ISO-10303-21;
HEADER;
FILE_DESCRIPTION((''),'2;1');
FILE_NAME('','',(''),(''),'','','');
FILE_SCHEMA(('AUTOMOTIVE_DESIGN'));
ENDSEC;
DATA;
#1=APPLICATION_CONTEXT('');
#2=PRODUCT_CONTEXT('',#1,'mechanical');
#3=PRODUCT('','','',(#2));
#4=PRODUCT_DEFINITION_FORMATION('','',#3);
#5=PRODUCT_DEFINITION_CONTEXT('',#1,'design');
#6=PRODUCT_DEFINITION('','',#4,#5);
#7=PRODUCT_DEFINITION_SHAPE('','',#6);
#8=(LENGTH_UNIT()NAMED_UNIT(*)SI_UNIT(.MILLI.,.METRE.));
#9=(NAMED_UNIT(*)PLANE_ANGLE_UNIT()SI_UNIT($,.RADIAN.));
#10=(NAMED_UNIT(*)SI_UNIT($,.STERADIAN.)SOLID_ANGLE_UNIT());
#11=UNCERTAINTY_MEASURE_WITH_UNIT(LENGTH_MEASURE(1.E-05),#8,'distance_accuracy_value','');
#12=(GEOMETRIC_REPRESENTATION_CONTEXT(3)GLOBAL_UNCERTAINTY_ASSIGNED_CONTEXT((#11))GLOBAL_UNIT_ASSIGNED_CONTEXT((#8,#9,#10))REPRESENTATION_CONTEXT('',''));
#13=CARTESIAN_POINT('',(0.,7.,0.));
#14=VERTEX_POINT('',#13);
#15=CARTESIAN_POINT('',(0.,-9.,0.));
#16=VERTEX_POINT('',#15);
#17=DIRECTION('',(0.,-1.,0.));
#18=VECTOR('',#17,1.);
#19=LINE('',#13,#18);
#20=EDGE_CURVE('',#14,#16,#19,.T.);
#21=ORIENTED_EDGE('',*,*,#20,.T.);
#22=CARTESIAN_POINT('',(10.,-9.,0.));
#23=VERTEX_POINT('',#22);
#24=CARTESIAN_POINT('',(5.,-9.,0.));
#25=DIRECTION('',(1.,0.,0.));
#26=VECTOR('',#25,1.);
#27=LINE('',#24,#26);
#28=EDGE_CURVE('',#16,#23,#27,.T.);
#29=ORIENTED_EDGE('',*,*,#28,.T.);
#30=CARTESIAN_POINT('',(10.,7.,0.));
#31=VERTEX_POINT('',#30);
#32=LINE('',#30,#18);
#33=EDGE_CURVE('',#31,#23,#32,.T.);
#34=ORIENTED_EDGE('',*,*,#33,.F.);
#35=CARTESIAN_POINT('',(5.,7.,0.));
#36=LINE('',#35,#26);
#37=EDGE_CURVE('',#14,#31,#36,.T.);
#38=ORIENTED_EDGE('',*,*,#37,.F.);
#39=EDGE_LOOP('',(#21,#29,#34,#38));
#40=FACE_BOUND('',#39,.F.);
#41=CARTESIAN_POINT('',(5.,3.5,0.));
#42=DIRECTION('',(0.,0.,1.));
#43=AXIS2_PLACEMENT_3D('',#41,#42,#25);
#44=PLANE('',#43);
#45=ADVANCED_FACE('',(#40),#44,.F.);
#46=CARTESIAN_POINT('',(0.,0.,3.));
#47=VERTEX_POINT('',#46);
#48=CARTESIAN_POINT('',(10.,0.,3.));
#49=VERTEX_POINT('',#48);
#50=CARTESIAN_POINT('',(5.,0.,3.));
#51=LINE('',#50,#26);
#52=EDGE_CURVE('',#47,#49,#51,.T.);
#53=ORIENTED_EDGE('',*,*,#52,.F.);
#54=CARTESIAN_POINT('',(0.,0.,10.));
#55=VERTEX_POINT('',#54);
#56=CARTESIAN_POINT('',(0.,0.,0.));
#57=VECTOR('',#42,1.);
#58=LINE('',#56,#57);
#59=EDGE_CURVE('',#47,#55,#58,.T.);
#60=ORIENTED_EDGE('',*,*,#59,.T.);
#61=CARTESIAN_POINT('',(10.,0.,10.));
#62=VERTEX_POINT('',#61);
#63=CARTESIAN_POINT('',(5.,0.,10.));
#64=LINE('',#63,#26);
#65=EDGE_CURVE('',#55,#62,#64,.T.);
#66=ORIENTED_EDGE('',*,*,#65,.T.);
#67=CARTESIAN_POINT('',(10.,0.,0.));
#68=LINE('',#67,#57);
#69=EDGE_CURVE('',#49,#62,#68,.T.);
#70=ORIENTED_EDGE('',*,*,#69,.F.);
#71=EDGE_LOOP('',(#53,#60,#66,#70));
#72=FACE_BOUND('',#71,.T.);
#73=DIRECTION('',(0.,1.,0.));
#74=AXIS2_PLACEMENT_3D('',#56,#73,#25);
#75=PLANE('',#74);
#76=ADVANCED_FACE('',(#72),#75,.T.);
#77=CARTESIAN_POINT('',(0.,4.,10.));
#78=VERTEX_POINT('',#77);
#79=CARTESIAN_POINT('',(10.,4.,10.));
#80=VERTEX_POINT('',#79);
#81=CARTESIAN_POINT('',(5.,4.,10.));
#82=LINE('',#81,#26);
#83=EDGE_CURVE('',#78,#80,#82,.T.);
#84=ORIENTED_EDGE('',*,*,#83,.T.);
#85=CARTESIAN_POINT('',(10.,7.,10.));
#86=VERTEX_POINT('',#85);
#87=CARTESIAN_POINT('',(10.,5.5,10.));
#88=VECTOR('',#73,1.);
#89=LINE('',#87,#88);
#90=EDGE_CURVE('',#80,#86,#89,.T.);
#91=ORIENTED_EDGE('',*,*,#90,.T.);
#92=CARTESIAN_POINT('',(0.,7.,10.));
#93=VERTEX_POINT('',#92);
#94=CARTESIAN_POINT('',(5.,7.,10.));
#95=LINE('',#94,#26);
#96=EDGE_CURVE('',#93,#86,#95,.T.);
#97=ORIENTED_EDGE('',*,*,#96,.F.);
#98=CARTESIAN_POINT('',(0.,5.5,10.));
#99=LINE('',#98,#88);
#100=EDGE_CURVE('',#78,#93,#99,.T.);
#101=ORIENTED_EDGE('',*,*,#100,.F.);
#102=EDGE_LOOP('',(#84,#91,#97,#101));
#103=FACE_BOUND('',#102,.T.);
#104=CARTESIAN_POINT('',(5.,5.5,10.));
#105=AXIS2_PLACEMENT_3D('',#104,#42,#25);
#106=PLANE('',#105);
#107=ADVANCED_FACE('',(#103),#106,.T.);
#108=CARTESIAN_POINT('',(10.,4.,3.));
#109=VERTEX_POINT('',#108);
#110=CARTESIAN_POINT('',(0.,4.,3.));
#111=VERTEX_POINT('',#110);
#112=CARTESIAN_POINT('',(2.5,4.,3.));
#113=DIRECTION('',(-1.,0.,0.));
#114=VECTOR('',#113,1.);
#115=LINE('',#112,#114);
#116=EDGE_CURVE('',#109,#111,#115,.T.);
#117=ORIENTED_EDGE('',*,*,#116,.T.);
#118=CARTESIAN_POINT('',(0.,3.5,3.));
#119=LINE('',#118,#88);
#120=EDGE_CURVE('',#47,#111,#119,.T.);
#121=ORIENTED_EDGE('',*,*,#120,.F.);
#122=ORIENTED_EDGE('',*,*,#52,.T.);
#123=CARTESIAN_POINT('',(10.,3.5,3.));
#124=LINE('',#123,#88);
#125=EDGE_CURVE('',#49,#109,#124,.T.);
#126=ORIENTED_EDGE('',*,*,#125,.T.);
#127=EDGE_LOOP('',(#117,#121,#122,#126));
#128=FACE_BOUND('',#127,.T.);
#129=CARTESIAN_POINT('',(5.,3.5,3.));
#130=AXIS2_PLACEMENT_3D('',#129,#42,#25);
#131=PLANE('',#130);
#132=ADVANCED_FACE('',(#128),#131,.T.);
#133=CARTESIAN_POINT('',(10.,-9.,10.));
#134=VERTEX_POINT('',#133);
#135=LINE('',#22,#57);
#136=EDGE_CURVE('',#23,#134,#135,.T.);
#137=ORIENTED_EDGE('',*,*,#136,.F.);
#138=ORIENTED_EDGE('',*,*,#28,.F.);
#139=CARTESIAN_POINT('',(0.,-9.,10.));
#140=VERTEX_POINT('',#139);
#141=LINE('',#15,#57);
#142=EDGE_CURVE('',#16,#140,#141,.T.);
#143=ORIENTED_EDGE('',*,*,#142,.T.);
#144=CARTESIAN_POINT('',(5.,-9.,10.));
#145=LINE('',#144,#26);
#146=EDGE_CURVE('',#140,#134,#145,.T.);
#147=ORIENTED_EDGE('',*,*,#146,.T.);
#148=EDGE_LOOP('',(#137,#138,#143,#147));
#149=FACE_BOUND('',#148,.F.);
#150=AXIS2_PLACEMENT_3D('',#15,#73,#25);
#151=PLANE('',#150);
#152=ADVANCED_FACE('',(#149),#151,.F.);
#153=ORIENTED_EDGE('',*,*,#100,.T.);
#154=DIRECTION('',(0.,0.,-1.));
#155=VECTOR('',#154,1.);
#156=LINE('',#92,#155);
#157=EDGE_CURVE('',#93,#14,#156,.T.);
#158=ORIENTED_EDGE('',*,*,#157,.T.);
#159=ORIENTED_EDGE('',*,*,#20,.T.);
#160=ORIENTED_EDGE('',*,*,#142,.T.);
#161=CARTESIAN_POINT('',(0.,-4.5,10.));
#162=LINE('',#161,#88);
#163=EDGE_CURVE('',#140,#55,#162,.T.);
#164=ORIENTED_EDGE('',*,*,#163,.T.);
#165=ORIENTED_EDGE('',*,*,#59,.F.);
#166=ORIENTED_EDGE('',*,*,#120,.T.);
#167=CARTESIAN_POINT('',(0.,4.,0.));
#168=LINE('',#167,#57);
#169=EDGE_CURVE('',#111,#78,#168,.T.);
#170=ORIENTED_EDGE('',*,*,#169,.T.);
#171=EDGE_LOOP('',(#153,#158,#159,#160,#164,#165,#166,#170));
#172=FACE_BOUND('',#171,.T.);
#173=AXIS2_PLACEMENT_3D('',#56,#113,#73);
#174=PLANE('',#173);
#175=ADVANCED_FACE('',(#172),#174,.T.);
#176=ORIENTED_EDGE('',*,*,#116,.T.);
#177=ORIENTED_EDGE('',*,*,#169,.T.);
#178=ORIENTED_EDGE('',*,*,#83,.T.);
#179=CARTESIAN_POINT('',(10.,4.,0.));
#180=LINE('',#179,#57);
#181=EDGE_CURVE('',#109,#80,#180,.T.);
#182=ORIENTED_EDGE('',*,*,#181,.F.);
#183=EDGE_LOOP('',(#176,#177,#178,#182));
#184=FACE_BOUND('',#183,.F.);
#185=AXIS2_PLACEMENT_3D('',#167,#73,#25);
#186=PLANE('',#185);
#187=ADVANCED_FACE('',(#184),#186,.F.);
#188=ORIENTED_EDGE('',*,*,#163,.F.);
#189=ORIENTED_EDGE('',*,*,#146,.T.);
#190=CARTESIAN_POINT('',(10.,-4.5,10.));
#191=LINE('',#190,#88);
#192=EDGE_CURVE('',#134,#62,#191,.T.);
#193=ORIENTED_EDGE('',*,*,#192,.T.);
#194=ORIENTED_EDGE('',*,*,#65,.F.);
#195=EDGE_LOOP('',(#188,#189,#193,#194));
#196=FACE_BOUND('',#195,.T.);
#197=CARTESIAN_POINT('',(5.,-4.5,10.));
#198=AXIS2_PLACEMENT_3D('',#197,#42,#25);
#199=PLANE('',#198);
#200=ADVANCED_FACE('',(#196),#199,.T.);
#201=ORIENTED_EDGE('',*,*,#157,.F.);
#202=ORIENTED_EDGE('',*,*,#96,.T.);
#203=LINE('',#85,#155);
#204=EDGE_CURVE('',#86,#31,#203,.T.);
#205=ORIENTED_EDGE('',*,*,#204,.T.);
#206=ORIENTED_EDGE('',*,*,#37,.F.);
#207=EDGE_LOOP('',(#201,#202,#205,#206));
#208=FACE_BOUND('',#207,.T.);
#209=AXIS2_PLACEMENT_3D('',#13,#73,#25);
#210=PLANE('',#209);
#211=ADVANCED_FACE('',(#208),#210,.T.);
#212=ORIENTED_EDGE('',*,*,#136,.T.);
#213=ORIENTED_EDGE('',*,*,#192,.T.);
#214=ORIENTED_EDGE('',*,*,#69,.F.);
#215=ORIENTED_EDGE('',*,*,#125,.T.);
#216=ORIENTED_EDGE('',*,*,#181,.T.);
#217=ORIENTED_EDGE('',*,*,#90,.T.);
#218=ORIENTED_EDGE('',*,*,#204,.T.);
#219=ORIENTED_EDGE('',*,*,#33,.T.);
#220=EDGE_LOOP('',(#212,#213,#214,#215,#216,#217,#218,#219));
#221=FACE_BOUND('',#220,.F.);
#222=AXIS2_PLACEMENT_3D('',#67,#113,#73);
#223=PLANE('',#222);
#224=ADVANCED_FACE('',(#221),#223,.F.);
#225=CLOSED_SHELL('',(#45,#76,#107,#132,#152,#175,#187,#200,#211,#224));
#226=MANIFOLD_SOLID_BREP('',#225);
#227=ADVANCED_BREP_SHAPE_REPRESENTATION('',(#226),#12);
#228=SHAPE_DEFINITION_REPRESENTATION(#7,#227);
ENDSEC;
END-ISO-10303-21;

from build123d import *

# Parameters (mm, degrees)
BOX003_W     = 10
BOX003_H     = 7
BOX003_DEPTH = 3
BOX004_W     = 10
BOX004_H     = 3
BOX004_DEPTH = 10
BOX005_W     = 10
BOX005_H     = 9
BOX005_DEPTH = 10


with BuildPart() as cube003:
    # Box003 → Box003 (new body)
    with BuildSketch(Plane.XY):
        with Locations((5, 3.5)):
            Rectangle(BOX003_W, BOX003_H)
    extrude(amount=BOX003_DEPTH)


with BuildPart() as cube004:
    # Box004 → Box004 (new body)
    with BuildSketch(Plane(origin=(0, 4, 0), x_dir=(1, 0, 0), z_dir=(0, 0, 1))):
        with Locations((5, 1.5)):
            Rectangle(BOX004_W, BOX004_H)
    extrude(amount=BOX004_DEPTH)


with BuildPart() as fusion001:
    # Box005 → Box005 (new body)
    with BuildSketch(Plane(origin=(0, -9, 0), x_dir=(1, 0, 0), z_dir=(0, 0, 1))):
        with Locations((5, 4.5)):
            Rectangle(BOX005_W, BOX005_H)
    extrude(amount=BOX005_DEPTH)

    # Fusion001: union Cube003, Cube004
    add(cube003.part)
    add(cube004.part)


solid = fusion001.part
